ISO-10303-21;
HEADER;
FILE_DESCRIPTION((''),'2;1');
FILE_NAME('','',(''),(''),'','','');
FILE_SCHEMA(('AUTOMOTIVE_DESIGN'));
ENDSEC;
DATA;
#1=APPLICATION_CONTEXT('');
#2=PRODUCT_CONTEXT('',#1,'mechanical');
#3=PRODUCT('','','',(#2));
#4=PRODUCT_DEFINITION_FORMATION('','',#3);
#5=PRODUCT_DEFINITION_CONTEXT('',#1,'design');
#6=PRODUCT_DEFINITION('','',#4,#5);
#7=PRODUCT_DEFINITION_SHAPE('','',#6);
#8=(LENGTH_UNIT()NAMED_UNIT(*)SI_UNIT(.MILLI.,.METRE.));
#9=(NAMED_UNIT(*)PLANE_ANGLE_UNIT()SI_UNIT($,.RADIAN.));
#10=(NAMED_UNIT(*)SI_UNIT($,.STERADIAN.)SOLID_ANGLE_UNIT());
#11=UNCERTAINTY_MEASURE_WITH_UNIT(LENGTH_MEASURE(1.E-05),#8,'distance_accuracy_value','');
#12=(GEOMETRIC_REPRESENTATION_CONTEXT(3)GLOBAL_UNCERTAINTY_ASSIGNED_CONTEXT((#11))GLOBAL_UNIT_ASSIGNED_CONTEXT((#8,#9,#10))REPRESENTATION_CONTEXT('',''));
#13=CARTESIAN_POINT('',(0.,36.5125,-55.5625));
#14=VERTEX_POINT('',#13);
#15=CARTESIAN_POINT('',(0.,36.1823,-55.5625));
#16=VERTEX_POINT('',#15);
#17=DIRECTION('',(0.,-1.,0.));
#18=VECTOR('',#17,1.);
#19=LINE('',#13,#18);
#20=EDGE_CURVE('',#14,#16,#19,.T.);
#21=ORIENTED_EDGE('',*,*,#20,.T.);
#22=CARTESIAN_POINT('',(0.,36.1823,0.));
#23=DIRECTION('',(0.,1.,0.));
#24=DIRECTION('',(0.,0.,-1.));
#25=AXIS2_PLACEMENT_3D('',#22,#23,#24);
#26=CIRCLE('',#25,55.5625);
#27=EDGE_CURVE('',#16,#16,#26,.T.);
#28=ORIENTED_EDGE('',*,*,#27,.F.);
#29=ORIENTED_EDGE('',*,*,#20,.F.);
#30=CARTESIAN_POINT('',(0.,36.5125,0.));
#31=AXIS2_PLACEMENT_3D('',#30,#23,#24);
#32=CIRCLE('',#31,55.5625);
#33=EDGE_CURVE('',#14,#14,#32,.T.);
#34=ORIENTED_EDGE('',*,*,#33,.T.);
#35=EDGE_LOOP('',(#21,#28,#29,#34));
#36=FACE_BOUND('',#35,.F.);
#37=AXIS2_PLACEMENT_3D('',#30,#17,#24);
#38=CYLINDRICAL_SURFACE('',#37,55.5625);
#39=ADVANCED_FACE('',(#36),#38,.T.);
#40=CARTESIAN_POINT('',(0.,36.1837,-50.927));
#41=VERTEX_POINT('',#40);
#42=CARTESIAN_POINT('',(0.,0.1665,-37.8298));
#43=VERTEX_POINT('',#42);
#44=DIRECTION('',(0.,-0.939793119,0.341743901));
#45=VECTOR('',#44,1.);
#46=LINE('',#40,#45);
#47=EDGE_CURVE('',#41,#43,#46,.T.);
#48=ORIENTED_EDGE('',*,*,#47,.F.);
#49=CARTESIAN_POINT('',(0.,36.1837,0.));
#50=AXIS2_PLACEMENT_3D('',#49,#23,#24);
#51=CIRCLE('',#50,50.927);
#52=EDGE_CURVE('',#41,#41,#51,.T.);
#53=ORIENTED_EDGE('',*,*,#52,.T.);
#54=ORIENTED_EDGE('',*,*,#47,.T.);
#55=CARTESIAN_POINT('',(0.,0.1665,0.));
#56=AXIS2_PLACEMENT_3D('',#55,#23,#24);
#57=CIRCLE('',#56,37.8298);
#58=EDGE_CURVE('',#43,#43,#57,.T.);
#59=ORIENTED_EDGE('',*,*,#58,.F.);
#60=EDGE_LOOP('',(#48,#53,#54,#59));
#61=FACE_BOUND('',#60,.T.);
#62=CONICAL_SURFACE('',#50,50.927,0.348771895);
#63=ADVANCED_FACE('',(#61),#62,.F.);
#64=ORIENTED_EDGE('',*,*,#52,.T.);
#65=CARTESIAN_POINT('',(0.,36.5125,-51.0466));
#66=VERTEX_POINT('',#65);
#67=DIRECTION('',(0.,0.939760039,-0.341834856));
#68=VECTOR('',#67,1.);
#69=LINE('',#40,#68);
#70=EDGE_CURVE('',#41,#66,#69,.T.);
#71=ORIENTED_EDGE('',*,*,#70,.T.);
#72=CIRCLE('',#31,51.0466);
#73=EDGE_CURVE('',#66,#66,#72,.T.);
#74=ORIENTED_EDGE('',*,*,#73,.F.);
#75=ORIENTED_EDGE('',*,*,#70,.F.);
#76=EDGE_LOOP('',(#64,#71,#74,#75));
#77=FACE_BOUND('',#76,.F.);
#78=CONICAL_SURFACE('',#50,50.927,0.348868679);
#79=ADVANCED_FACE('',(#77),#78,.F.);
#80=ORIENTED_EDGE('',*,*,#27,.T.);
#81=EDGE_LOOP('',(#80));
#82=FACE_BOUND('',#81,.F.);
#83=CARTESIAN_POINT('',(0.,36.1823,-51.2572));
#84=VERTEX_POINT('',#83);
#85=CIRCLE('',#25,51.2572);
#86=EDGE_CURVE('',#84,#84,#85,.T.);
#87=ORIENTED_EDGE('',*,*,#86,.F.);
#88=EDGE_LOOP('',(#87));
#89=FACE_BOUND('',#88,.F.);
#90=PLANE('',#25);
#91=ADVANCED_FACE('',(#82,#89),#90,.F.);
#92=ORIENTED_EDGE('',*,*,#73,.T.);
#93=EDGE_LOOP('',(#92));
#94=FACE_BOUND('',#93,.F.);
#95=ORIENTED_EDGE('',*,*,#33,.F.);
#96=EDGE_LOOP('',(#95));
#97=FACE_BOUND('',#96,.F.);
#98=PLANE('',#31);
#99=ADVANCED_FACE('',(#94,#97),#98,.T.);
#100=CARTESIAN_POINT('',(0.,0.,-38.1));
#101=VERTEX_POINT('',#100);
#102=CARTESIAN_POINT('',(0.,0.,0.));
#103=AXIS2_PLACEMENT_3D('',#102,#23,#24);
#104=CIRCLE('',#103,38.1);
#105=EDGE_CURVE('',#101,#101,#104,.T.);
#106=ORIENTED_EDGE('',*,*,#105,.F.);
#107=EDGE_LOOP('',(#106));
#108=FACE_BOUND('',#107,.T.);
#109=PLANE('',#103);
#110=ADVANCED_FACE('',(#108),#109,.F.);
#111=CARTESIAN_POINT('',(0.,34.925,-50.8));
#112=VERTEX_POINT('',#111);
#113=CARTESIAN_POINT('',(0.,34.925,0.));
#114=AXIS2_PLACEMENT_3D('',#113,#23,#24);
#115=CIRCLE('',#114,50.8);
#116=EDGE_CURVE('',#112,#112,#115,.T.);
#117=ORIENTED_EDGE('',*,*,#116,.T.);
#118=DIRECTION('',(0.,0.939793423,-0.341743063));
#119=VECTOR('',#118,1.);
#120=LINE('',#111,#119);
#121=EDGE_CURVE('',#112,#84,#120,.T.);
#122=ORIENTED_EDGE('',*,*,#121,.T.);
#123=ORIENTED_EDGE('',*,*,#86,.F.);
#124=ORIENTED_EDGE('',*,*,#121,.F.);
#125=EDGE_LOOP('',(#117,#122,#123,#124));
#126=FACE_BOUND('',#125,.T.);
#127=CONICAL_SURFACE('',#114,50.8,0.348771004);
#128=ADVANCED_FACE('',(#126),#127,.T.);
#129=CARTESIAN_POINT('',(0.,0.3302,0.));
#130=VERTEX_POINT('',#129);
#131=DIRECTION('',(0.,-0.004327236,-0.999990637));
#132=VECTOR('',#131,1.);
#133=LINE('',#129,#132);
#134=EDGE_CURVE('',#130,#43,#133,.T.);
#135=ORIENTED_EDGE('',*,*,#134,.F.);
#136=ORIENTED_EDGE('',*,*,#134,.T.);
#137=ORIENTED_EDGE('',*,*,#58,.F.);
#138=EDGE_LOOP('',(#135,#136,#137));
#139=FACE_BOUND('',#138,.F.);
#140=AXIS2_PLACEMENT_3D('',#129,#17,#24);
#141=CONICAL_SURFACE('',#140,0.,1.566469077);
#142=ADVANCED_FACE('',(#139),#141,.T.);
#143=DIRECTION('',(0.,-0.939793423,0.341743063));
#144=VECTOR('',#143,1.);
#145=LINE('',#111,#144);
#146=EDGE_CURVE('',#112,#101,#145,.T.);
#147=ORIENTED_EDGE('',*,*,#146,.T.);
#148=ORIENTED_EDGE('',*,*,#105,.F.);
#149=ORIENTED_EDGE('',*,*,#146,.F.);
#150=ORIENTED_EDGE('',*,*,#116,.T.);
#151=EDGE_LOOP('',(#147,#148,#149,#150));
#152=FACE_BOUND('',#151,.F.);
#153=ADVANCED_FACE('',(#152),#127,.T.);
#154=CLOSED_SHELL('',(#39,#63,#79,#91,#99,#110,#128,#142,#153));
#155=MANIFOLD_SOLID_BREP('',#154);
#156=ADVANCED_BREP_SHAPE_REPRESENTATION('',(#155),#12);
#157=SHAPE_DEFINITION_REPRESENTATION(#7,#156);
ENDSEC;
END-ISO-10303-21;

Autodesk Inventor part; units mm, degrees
ref_plane "YZ Plane" through (0, 0, 0) normal (1, 0, 0) x (0, 1, 0)
ref_plane "XZ Plane" through (0, 0, 0) normal (0, 1, 0) x (-1, 0, 0)
ref_plane "XY Plane" through (0, 0, 0) normal (0, 0, 1) x (1, 0, 0)
sketch "Sketch1" plane through (0, 0, 0) normal (1, 0, 0) x (0, 1, 0)
  line L0 (0, 0) -> (0, -38.1)
  line L1 (0, 0) -> (36.5125, 0)
  line L2 (36.5125, -51.0466) -> (36.5125, -57.15)
  line L3 (36.5125, -57.15) -> (35.1989, -57.15)
  line L4 (34.925, -50.8) -> (0, -38.1)
  line L5 (36.5125, -55.5625) -> (36.5125, -57.15)
  line L6 (36.5125, -55.5625) -> (36.1823, -55.5625)
  line L7 (36.1823, -55.5625) -> (36.1823, -51.2572)
  line L8 (36.1823, -55.5625) -> (40.5858, -55.5625) construction
  line L9 (34.925, -50.8) -> (36.1823, -51.2572)
  arc A0 (36.516, -55.6063) -> (36.5125, -55.5625) centre (35.0619, -55.6994) ccw
  line L10 (35.1989, -57.15) -> (36.1823, -55.5625)
  line L11 (0, 0) -> (0.3302, 0)
  line L12 (0.3302, 0) -> (0.1665, -37.8298)
  line L13 (36.1837, -50.927) -> (0.1665, -37.8298)
  line L14 (36.1837, -50.927) -> (36.5125, -51.0466)
  dimension "d0" = 38.1
  dimension "d1" = 36.5125
  dimension "d2" = 57.15
  dimension "d5" = 0.3302
  dimension "d6" = 90
  dimension "d7" = 0.3302
revolve "Revolution1" add sketch "Sketch1" angle 360 about axis through (0, 0, 0) along (0, 1, 0) contours L1 L12 L13 L14 L2 L6 L7 L9 L4 L0
properties part number "bowl-2" material "Stainless Steel"
